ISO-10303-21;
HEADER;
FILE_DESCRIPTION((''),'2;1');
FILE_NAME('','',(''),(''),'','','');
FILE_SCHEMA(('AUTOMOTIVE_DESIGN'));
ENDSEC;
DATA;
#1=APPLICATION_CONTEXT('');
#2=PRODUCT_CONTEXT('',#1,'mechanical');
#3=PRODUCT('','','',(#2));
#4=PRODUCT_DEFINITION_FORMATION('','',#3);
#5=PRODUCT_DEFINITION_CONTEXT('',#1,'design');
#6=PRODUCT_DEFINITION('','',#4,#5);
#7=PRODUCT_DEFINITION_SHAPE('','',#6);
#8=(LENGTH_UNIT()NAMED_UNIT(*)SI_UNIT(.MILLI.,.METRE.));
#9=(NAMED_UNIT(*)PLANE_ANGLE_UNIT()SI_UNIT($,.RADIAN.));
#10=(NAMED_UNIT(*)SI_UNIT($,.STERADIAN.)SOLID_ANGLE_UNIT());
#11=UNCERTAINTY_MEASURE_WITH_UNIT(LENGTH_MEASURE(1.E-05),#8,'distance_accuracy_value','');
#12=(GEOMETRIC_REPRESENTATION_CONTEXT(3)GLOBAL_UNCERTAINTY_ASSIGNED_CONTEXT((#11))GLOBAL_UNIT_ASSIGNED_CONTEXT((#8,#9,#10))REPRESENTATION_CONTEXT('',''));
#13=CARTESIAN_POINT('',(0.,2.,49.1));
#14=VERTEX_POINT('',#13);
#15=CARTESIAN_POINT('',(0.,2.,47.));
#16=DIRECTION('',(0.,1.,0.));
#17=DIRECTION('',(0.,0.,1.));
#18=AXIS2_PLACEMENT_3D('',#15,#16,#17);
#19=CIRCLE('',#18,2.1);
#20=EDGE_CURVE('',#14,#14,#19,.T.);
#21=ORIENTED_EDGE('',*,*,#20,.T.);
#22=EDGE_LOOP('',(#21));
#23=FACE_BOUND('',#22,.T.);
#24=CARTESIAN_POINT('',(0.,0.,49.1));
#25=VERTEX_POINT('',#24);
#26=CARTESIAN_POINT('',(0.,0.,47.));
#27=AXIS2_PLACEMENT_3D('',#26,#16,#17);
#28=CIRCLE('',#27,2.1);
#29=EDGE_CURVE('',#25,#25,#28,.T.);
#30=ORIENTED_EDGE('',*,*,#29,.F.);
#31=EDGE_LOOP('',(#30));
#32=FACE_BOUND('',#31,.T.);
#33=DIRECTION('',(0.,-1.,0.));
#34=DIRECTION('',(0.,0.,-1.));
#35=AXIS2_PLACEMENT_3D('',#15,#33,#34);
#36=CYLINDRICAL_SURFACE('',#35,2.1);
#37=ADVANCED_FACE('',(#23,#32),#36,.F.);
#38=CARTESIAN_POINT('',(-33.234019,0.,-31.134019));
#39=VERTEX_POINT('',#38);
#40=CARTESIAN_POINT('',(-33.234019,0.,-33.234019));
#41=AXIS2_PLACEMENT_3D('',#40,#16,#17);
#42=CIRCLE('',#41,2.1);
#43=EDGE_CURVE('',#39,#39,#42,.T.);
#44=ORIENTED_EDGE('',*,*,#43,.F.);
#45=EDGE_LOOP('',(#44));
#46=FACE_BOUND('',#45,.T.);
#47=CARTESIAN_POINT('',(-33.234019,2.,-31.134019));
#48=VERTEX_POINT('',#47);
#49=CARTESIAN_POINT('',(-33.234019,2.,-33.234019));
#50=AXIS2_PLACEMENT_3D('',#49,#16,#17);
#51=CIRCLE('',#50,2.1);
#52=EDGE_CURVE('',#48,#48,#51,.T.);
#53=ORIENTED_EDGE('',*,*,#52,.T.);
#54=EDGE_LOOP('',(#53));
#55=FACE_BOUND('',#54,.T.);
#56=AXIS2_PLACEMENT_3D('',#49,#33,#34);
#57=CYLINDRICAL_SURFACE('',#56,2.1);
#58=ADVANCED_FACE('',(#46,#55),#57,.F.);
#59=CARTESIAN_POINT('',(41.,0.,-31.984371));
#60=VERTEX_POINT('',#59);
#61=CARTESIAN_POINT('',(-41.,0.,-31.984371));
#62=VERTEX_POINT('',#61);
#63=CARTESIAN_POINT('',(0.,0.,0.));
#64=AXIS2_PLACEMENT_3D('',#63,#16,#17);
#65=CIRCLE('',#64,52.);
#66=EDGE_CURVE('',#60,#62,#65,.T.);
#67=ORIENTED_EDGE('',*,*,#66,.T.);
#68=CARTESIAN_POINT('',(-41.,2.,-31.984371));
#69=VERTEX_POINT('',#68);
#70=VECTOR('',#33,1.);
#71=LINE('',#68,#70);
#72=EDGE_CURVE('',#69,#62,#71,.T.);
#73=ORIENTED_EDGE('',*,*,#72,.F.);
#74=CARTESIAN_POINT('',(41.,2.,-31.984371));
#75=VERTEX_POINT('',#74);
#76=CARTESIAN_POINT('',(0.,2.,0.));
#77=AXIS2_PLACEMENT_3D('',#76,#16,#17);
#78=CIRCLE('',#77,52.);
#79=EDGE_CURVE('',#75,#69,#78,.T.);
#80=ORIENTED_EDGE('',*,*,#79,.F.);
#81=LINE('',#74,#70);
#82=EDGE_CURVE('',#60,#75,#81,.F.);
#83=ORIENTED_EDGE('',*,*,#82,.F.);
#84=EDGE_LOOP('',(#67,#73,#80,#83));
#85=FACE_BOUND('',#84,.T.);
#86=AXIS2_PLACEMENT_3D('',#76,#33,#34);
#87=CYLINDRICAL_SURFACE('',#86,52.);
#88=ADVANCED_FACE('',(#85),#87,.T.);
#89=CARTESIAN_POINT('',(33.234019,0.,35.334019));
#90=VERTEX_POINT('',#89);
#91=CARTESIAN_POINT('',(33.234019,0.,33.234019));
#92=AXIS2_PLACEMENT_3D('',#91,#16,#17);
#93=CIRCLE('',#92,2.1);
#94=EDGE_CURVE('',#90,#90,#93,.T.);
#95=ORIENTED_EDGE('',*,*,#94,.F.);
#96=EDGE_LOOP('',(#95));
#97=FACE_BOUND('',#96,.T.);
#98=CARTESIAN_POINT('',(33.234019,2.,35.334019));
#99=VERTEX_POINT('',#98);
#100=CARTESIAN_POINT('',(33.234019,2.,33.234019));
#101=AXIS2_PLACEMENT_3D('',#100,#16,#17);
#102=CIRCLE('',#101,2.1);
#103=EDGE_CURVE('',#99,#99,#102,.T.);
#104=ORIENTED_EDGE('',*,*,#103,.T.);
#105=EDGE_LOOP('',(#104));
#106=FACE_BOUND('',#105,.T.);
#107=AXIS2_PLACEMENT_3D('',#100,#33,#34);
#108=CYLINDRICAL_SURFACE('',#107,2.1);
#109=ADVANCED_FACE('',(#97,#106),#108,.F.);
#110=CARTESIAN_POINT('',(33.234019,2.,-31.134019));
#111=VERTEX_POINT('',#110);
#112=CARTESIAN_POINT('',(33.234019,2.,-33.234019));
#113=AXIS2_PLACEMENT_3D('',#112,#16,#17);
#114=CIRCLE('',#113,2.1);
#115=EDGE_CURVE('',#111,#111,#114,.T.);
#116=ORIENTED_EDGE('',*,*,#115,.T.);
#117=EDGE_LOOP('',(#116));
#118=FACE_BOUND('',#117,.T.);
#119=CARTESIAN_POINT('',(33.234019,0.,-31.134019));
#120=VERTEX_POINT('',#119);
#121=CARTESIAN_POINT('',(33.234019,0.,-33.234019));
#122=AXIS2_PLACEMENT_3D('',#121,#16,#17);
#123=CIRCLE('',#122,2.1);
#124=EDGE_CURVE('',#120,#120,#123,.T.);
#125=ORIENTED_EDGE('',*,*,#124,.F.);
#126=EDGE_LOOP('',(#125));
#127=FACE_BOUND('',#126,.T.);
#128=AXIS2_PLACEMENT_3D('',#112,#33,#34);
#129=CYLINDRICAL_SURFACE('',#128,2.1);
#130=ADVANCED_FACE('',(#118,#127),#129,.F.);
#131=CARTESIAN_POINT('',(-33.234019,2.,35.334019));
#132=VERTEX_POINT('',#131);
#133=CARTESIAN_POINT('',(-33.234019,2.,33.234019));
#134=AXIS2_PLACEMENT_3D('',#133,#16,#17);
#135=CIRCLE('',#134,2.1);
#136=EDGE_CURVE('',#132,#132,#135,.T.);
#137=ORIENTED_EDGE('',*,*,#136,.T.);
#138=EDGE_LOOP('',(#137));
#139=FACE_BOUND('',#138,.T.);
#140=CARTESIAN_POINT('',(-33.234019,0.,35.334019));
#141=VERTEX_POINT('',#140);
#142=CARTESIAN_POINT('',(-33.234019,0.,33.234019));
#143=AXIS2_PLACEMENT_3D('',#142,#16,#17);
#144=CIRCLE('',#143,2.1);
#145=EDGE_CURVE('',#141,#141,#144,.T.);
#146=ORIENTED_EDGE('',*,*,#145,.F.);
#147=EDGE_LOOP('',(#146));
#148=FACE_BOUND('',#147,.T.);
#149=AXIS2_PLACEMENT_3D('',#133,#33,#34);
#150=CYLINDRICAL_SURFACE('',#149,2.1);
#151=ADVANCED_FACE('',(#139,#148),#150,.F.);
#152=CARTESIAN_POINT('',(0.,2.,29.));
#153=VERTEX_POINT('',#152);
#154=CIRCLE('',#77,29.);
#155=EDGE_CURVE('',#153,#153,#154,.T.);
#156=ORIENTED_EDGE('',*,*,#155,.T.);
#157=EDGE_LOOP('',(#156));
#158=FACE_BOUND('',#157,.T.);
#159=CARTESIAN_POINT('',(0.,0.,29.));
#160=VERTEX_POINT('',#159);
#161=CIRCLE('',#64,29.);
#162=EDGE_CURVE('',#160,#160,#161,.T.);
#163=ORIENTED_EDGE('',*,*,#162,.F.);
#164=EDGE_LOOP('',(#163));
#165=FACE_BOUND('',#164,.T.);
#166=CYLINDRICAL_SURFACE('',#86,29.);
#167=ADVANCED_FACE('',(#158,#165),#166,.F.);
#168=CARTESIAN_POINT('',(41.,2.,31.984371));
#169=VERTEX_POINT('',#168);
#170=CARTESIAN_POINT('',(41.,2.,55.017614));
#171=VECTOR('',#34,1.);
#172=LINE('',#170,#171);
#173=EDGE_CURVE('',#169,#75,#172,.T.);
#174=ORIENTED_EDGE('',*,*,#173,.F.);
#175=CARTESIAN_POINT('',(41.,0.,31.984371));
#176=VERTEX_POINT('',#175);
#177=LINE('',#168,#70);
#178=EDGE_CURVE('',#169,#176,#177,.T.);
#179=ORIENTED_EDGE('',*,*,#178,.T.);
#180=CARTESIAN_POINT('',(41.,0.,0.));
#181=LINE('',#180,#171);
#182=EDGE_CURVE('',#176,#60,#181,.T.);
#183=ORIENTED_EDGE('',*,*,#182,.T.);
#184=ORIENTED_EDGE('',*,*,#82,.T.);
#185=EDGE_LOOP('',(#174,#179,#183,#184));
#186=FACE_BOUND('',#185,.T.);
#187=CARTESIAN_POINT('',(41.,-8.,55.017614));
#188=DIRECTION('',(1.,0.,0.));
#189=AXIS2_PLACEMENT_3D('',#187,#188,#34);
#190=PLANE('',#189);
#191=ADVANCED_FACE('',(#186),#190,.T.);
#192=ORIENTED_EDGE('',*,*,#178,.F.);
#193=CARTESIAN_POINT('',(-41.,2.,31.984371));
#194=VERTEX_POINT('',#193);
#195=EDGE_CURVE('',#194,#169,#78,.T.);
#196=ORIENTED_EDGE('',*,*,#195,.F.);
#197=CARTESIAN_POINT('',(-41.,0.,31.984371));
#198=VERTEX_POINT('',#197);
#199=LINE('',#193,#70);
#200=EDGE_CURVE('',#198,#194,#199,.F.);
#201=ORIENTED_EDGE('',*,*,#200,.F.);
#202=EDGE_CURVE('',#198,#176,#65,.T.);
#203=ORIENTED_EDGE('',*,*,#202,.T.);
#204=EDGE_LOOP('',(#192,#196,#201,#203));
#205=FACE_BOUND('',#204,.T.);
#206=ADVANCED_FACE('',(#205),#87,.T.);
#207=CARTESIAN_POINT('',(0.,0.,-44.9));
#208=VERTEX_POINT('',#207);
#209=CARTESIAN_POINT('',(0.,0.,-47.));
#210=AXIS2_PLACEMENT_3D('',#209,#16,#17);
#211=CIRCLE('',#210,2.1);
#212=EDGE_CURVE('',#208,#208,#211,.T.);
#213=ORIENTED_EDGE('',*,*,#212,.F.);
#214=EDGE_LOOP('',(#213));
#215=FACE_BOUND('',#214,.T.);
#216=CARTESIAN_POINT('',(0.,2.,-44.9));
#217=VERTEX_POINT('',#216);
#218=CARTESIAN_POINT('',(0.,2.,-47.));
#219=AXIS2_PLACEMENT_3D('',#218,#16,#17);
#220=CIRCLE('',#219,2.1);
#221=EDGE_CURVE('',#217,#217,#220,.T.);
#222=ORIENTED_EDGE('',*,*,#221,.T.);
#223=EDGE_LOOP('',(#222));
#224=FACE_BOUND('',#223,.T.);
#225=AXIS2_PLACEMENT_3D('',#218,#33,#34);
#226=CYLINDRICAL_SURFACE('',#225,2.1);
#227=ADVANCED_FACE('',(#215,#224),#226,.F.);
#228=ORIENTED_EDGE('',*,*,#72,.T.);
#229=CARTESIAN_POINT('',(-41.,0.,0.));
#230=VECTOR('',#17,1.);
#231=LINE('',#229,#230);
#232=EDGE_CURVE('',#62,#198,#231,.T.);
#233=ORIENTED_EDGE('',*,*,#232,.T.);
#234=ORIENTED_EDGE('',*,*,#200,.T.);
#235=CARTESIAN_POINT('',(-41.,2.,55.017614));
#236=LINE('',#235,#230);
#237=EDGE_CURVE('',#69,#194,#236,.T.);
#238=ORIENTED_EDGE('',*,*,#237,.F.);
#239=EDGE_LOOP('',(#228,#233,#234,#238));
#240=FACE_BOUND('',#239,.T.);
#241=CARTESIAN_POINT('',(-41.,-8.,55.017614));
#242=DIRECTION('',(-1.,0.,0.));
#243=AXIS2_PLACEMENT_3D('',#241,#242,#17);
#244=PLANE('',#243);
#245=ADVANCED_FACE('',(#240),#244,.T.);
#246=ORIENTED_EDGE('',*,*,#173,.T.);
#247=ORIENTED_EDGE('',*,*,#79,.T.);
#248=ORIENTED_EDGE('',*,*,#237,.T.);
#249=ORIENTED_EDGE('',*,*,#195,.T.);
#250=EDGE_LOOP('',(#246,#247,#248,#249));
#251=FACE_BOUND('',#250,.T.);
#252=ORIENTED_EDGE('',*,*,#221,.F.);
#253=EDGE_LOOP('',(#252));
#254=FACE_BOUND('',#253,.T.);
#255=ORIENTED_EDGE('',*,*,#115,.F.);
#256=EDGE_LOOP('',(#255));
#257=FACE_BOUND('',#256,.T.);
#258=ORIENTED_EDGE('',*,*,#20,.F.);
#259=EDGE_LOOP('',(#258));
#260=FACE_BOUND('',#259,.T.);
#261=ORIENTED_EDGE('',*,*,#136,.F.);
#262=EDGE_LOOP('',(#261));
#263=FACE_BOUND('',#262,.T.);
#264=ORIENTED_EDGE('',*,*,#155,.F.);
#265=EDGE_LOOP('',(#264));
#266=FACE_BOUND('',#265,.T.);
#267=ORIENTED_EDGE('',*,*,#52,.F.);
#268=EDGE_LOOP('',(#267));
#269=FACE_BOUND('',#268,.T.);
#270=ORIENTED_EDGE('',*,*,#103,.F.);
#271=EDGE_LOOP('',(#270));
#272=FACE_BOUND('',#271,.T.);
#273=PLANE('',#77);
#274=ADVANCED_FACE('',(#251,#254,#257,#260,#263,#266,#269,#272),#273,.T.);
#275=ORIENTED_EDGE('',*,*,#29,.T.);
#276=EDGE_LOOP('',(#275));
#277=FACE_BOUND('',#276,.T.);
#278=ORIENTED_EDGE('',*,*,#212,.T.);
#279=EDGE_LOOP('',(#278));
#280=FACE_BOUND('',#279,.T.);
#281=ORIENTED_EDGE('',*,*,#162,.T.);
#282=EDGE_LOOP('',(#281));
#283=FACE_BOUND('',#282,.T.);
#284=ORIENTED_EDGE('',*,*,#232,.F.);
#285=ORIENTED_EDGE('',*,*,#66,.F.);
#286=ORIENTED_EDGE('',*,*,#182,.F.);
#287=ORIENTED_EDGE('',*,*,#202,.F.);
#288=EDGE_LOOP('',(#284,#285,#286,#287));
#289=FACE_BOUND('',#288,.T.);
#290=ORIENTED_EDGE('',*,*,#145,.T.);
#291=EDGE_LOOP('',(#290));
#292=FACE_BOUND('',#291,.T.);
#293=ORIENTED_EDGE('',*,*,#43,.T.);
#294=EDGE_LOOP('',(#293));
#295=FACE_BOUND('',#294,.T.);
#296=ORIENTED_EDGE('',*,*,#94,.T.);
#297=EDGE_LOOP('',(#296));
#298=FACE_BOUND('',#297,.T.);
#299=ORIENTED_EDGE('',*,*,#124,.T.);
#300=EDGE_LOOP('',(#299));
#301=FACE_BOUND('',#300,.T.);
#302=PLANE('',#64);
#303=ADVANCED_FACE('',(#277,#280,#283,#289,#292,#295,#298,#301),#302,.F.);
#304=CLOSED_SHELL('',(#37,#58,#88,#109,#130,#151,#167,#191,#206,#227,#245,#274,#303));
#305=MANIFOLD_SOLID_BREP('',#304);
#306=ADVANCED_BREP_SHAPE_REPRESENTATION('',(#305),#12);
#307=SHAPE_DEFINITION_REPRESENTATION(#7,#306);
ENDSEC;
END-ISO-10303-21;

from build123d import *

# Parameters (mm, degrees)
SKETCH_1_R          = 52
SKETCH_1_R_2        = 29
SKETCH_1_R_3        = 2.1
EXTRUDE_1_DEPTH     = 2
SKETCH_2_W          = 182
SKETCH_2_H          = 210.035227354
SKETCH_2_W_2        = 82
SKETCH_2_H_2        = 110.035227354
CUT_EXTRUDE_1_DEPTH = 10


with BuildPart() as part:
    # 草图1 → 凸台-拉伸1 (new body)
    with BuildSketch(Plane(origin=(0, 0, 0), x_dir=(1, 0, 0), z_dir=(0, 1, 0))):
        with Locations(Location((0, 0, 0), (0, 0, 270))):
            Circle(SKETCH_1_R)
        with Locations(Location((0, 0, 0), (0, 0, 270))):
            Circle(SKETCH_1_R_2, mode=Mode.SUBTRACT)
        with Locations(Location((47, 0, 0), (0, 0, 270))):
            Circle(SKETCH_1_R_3, mode=Mode.SUBTRACT)
        with Locations(Location((33.234018716, -33.234018716, 0), (0, 0, 270))):
            Circle(SKETCH_1_R_3, mode=Mode.SUBTRACT)
        with Locations(Location((0, -47, 0), (0, 0, 270))):
            Circle(SKETCH_1_R_3, mode=Mode.SUBTRACT)
        with Locations(Location((-33.234018716, -33.234018716, 0), (0, 0, 270))):
            Circle(SKETCH_1_R_3, mode=Mode.SUBTRACT)
        with Locations(Location((-47, 0, 0), (0, 0, 270))):
            Circle(SKETCH_1_R_3, mode=Mode.SUBTRACT)
        with Locations(Location((-33.234018716, 33.234018716, 0), (0, 0, 270))):
            Circle(SKETCH_1_R_3, mode=Mode.SUBTRACT)
        with Locations(Location((0, 47, 0), (0, 0, 270))):
            Circle(SKETCH_1_R_3, mode=Mode.SUBTRACT)
        with Locations(Location((33.234018716, 33.234018716, 0), (0, 0, 270))):
            Circle(SKETCH_1_R_3, mode=Mode.SUBTRACT)
    extrude(amount=EXTRUDE_1_DEPTH)

    # 草图2 → 切除-拉伸-薄壁1 (cut)
    with BuildSketch(Plane(origin=(0, 2, 0), x_dir=(1, 0, 0), z_dir=(0, 1, 0))):
        Rectangle(SKETCH_2_W, SKETCH_2_H)
        Rectangle(SKETCH_2_W_2, SKETCH_2_H_2, mode=Mode.SUBTRACT)
    extrude(amount=-CUT_EXTRUDE_1_DEPTH, mode=Mode.SUBTRACT)


solid = part.part
